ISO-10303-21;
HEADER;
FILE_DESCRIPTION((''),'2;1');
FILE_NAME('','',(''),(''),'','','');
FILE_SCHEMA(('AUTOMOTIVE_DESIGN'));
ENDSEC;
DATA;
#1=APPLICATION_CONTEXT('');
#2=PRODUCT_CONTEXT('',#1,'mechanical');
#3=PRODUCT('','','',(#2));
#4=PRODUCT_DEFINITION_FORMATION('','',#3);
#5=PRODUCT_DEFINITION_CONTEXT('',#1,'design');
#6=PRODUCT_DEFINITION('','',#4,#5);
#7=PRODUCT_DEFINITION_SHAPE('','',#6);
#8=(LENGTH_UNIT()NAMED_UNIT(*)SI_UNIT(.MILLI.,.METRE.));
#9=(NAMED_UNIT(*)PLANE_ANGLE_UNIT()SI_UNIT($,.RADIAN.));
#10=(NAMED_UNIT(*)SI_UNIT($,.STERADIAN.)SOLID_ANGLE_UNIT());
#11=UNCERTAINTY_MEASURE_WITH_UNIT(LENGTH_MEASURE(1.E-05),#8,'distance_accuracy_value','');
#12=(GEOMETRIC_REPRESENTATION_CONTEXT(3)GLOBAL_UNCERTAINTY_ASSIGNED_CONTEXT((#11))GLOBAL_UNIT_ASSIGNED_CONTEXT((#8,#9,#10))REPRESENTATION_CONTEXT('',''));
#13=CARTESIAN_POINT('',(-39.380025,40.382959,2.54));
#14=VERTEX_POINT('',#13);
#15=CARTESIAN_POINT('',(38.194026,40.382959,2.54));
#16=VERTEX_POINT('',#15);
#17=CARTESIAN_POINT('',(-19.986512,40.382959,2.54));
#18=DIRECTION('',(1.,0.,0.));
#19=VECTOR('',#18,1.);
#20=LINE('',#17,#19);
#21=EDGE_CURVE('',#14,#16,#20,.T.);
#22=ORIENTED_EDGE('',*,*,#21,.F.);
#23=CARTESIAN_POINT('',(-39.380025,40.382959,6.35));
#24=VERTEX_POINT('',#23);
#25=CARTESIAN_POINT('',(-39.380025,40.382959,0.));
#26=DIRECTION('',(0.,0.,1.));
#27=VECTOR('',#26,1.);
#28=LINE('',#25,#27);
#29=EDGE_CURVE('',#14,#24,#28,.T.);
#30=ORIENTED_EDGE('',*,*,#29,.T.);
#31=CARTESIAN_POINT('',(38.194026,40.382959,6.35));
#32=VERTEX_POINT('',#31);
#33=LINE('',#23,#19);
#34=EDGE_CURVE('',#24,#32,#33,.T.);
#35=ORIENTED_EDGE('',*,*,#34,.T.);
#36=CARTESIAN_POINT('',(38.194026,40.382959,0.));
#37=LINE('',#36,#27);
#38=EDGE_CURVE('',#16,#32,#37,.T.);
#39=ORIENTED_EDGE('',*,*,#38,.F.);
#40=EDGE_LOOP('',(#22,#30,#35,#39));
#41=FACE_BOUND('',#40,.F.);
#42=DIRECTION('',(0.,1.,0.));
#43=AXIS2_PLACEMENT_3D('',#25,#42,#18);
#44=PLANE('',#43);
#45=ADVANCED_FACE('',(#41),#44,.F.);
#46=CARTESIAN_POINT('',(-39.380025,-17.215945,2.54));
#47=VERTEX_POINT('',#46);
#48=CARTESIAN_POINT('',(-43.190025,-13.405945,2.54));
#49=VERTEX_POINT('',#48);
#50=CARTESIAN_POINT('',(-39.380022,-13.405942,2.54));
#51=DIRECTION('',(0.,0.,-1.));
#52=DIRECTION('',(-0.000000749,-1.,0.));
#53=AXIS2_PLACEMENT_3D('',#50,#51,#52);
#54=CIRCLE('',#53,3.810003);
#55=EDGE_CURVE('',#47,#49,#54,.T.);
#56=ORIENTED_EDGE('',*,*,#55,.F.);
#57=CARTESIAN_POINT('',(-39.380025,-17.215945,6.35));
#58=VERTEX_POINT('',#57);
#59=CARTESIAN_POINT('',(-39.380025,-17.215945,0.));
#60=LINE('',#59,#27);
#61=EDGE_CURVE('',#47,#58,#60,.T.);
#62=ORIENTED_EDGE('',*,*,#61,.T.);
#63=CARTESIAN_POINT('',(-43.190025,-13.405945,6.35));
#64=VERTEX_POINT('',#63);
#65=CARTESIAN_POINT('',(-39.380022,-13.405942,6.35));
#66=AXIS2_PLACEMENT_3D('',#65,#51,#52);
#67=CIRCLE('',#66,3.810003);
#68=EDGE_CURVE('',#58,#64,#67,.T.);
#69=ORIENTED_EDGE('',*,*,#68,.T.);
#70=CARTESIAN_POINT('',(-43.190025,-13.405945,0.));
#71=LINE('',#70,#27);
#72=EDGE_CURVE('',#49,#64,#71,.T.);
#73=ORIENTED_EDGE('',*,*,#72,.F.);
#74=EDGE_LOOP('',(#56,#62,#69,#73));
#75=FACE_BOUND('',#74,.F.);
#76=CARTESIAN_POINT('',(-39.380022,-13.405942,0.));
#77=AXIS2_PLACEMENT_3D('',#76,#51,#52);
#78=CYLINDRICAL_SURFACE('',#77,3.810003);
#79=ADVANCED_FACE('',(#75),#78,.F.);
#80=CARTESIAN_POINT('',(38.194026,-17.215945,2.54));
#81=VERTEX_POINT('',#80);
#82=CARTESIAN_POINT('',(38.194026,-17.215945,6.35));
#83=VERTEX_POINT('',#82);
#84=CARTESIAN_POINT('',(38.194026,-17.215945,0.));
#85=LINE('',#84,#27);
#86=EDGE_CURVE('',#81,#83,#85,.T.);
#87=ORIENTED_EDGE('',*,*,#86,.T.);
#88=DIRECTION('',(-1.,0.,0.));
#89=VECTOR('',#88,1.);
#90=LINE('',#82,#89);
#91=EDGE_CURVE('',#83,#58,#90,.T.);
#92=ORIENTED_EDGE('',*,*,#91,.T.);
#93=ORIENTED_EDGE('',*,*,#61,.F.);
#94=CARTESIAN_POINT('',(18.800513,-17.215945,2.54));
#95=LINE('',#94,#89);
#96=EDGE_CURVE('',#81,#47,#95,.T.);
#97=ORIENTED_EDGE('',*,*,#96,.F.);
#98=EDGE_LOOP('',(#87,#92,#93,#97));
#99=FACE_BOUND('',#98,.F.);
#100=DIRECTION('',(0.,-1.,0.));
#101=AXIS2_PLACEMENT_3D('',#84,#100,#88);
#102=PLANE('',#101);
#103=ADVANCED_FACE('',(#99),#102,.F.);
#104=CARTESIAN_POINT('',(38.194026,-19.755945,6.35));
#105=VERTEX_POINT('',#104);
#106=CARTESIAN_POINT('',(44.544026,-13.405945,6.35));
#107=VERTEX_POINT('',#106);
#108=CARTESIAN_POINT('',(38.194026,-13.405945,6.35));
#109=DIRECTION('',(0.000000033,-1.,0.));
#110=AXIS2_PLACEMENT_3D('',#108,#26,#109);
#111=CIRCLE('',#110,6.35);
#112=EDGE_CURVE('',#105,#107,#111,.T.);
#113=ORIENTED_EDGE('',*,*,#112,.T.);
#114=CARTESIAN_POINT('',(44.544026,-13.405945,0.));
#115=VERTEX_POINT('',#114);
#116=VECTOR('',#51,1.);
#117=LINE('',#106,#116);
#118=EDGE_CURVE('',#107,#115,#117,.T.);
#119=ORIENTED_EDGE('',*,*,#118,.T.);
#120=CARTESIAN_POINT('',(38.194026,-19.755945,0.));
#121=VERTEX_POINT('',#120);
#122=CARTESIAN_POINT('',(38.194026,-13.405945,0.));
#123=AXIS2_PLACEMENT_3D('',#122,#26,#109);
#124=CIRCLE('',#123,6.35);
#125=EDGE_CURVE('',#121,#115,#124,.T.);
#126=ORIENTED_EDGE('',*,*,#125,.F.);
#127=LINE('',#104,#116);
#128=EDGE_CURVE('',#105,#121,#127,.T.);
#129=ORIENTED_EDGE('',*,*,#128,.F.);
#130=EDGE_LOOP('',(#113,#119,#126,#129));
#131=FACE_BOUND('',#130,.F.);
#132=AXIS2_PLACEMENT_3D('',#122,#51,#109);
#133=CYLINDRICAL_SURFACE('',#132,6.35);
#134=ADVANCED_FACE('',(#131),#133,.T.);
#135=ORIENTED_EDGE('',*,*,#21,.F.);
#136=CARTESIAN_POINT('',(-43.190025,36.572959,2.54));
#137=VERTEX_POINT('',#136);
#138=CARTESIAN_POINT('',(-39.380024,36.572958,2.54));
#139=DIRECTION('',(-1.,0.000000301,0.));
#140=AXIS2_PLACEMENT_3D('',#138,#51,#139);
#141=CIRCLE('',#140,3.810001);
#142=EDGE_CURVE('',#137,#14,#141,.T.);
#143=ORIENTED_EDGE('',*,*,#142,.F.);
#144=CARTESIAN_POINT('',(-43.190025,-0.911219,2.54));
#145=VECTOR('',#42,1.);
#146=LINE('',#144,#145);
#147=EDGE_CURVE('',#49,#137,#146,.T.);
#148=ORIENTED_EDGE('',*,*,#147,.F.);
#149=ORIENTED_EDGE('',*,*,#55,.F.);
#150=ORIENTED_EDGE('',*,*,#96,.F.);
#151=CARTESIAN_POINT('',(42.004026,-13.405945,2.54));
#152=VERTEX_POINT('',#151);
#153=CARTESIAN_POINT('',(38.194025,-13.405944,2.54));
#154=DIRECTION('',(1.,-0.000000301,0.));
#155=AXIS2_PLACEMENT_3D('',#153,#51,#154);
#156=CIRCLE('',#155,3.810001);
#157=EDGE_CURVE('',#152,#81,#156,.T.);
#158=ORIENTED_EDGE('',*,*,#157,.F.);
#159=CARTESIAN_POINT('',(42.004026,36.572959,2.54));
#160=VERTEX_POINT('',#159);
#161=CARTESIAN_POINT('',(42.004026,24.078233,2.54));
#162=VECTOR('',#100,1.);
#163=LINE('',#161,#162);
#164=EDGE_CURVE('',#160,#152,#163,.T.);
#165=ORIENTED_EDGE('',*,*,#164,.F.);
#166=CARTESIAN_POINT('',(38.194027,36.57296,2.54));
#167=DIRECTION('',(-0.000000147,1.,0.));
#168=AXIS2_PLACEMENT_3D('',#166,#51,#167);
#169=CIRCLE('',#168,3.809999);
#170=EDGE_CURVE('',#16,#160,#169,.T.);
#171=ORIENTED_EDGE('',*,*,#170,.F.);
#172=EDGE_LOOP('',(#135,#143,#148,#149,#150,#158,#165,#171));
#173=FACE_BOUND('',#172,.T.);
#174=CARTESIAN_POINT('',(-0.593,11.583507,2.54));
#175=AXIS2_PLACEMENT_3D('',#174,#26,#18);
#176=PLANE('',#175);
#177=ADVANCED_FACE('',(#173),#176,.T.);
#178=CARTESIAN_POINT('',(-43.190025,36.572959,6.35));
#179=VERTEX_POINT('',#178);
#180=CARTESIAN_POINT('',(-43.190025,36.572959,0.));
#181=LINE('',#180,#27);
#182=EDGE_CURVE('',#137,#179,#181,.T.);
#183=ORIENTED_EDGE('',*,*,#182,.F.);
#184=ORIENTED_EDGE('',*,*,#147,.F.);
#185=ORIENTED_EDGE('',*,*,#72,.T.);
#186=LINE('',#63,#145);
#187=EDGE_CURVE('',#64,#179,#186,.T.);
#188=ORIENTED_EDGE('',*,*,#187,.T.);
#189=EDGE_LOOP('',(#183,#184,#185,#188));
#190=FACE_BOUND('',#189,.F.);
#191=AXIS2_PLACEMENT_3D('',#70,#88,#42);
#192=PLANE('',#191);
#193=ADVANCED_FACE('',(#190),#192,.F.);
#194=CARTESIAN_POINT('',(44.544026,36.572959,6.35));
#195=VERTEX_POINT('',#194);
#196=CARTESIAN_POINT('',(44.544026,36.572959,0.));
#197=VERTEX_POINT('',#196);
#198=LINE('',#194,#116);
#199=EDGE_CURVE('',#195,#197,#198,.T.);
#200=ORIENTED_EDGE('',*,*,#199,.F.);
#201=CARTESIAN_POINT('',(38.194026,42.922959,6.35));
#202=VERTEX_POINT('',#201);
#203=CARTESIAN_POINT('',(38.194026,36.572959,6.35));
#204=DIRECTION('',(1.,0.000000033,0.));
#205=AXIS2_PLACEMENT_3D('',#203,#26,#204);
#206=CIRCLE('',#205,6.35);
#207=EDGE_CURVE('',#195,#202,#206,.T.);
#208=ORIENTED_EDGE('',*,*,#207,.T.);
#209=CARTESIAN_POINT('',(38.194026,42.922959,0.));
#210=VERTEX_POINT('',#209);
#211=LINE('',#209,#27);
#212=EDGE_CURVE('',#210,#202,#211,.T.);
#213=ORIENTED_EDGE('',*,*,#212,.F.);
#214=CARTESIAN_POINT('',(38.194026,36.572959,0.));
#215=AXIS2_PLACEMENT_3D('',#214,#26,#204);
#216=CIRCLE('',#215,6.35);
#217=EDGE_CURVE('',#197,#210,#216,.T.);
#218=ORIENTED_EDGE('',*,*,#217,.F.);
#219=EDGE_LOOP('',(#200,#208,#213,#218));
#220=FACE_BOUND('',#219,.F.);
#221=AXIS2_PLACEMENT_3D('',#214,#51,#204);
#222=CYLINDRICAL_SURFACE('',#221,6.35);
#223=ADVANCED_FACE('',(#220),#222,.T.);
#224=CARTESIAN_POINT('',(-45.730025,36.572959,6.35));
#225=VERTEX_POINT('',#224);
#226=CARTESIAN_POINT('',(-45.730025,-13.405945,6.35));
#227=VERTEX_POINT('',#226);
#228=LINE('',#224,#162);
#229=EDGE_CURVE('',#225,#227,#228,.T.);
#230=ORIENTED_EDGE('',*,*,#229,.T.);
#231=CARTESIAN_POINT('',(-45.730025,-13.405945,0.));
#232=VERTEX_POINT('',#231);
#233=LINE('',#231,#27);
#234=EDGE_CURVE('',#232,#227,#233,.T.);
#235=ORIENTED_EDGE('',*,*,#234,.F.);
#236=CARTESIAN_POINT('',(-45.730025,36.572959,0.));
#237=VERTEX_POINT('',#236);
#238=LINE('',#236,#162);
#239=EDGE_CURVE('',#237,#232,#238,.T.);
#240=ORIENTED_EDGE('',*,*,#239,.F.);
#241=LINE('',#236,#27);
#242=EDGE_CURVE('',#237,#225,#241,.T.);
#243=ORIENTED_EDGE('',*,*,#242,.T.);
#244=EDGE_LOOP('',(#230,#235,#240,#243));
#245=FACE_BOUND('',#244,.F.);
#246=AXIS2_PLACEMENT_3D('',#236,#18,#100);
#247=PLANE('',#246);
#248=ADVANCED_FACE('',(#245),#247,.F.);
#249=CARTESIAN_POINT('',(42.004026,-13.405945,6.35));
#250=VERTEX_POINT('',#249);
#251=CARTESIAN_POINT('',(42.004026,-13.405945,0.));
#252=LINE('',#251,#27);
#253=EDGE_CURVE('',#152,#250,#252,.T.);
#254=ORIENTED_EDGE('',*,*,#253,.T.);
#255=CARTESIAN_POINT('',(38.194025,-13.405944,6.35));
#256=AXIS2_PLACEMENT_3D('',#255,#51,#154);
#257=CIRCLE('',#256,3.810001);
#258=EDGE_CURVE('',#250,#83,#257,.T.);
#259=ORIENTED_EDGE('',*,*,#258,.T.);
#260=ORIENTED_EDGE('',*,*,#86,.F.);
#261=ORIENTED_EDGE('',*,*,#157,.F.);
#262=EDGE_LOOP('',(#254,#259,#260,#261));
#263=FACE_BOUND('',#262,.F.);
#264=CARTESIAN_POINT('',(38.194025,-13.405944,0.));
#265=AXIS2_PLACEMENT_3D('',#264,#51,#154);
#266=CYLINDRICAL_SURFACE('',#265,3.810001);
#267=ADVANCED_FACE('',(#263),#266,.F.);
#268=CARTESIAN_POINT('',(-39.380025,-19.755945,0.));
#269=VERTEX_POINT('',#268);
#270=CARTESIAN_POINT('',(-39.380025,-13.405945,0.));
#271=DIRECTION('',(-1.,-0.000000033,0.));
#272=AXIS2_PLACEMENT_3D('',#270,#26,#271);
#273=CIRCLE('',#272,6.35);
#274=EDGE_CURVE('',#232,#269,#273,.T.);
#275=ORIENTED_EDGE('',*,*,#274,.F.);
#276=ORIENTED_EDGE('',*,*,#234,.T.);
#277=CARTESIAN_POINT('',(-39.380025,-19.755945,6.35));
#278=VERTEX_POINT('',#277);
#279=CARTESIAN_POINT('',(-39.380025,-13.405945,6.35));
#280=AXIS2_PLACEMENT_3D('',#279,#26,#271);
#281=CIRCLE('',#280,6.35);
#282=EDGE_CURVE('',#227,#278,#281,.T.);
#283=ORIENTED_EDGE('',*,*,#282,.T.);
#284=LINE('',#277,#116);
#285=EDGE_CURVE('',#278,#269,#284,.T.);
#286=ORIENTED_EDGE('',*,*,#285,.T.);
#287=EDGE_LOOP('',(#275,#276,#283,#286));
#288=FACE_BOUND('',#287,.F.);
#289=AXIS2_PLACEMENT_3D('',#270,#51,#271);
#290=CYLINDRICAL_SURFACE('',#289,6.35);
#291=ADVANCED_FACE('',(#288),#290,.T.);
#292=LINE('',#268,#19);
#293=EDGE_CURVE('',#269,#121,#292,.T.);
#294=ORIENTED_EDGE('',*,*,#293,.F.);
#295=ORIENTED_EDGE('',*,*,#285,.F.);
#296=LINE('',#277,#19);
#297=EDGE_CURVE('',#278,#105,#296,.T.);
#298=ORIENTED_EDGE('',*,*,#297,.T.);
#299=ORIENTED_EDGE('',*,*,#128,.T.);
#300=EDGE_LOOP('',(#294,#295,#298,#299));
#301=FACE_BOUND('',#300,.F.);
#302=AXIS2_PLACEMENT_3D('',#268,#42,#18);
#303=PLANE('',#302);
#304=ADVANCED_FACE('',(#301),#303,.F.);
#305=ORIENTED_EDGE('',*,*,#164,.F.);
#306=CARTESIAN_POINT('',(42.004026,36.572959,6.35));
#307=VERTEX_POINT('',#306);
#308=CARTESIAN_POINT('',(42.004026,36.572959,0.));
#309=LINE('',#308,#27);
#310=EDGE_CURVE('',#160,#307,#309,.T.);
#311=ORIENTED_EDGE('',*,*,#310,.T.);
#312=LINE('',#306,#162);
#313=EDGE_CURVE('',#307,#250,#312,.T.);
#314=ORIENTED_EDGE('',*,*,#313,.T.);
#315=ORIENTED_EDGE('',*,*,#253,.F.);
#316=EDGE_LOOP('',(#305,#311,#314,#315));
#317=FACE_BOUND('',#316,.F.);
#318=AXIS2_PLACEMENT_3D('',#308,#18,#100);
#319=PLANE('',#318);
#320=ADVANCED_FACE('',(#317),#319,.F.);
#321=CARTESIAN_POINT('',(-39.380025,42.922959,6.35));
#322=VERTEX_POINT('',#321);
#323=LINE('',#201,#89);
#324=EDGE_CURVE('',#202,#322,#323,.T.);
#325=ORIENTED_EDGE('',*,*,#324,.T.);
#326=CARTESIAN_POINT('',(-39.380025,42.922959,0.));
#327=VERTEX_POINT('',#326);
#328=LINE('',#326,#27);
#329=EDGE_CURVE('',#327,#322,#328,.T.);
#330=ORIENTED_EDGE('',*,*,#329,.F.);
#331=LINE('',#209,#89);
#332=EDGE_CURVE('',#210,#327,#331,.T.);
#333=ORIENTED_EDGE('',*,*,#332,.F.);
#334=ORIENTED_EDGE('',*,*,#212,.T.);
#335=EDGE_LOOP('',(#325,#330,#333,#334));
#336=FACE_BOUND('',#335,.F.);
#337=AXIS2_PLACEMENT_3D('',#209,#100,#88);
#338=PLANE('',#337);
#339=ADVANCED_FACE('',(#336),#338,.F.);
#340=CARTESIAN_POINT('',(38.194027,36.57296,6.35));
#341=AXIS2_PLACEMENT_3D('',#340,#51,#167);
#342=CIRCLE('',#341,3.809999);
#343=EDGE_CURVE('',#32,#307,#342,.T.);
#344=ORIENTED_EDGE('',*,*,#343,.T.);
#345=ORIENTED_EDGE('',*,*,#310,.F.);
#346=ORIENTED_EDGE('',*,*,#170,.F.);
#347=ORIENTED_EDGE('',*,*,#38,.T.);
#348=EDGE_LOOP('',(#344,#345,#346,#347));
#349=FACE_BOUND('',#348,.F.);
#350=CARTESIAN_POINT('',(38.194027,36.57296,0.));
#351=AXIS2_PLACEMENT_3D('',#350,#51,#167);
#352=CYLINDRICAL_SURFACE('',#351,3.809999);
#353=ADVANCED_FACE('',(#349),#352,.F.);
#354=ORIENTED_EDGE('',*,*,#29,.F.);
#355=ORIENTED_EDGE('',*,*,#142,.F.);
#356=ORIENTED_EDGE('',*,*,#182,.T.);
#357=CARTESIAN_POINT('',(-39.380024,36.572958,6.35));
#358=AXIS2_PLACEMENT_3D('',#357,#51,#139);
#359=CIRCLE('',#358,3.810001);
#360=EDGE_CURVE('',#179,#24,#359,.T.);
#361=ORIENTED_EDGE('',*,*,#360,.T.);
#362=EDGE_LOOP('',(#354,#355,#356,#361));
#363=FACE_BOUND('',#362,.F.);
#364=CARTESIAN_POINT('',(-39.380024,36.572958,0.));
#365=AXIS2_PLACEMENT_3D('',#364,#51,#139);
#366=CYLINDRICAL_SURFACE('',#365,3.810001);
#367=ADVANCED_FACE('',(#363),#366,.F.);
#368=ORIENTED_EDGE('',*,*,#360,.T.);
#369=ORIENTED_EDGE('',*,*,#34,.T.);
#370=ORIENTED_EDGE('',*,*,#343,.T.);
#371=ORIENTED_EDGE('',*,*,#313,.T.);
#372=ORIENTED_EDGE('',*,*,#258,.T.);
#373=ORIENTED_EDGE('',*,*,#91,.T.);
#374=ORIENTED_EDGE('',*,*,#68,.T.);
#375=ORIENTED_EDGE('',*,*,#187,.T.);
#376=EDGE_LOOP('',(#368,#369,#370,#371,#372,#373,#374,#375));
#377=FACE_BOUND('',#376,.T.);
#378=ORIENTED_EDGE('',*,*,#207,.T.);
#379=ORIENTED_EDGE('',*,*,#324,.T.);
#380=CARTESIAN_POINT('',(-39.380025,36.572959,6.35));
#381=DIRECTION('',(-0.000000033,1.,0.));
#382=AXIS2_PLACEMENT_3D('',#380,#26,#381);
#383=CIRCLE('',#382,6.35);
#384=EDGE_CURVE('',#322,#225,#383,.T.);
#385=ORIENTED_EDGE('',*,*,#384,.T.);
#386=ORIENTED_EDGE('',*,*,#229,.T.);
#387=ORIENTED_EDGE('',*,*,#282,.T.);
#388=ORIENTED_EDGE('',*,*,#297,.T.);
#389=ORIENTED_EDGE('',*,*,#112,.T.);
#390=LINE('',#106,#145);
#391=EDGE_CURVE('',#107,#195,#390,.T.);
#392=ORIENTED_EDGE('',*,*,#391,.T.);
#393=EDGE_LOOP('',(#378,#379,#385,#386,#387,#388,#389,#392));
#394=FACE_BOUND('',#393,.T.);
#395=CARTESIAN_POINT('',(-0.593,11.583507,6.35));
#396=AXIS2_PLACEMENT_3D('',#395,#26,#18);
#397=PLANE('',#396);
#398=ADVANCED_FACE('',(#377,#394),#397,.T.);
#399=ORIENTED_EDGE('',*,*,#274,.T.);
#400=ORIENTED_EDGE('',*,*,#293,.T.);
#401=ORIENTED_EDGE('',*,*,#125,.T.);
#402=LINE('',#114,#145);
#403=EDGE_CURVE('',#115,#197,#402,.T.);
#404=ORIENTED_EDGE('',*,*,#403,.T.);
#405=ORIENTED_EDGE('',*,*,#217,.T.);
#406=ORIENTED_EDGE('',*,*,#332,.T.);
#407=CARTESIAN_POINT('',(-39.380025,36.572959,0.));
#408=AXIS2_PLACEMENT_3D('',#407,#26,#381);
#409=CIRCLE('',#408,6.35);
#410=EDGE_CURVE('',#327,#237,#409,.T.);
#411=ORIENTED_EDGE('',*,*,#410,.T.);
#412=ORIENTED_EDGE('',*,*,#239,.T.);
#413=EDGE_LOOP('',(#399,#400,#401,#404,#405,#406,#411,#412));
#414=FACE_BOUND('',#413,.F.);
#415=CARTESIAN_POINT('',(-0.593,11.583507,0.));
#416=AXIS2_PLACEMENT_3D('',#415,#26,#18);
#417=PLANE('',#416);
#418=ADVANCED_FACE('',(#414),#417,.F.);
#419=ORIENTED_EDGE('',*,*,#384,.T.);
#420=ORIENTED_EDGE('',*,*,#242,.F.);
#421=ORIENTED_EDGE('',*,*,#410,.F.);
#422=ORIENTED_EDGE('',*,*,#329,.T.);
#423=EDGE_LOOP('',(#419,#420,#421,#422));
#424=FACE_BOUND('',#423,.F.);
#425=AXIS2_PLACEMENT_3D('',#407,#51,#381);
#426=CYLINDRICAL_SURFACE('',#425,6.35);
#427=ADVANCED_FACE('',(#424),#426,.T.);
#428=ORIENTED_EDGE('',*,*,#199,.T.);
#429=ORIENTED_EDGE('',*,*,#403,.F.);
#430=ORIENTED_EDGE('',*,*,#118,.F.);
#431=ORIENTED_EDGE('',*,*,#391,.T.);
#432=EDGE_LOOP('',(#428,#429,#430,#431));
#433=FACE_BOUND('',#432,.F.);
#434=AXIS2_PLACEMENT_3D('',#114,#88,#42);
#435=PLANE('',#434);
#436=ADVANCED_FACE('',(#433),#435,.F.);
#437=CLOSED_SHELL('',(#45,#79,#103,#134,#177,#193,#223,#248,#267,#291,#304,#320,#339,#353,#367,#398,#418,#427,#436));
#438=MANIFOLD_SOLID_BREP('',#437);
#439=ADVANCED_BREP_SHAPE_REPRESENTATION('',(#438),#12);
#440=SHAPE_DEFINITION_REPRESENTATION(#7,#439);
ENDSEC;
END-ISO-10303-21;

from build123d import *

# Parameters (mm, degrees)
F3_DEPTH = 6.35
F1_DEPTH = 2.54


with BuildPart() as f3:
    # F2 (on face) → F3 (new body)
    with BuildSketch(Plane.XY):
        with BuildLine():
            ThreePointArc((44.544026, 36.572959), (42.684154, 41.063087), (38.194026, 42.922959))
            Line((38.194026, 42.922959), (-39.380025, 42.922959))
            ThreePointArc((-39.380025, 42.922959), (-43.870153, 41.063087), (-45.730025, 36.572959))
            Line((-45.730025, 36.572959), (-45.730025, -13.405945))
            ThreePointArc((-45.730025, -13.405945), (-43.870153, -17.896073), (-39.380025, -19.755945))
            Line((-39.380025, -19.755945), (38.194026, -19.755945))
            ThreePointArc((38.194026, -19.755945), (42.684154, -17.896073), (44.544026, -13.405945))
            Line((44.544026, -13.405945), (44.544026, 36.572959))
        make_face()
        with BuildLine():
            ThreePointArc((-43.190025, 36.572959), (-42.074101, 39.267036), (-39.380025, 40.382959))
            Line((-39.380025, 40.382959), (38.194026, 40.382959))
            ThreePointArc((38.194026, 40.382959), (40.888103, 39.267036), (42.004026, 36.572959))
            Line((42.004026, 36.572959), (42.004026, -13.405945))
            ThreePointArc((42.004026, -13.405945), (40.888103, -16.100021), (38.194026, -17.215945))
            Line((38.194026, -17.215945), (-39.380025, -17.215945))
            ThreePointArc((-39.380025, -17.215945), (-42.074101, -16.100021), (-43.190025, -13.405945))
            Line((-43.190025, -13.405945), (-43.190025, 36.572959))
        make_face(mode=Mode.SUBTRACT)
    extrude(amount=F3_DEPTH)

    # F0 (on Top) → F1 (join)
    with BuildSketch(Plane.XY):
        with BuildLine():
            Line((38.194026, 42.922959), (-39.380025, 42.922959))
            ThreePointArc((-39.380025, 42.922959), (-43.870153, 41.063087), (-45.730025, 36.572959))
            Line((-45.730025, 36.572959), (-45.730025, -13.405945))
            ThreePointArc((-45.730025, -13.405945), (-43.870153, -17.896073), (-39.380025, -19.755945))
            Line((-39.380025, -19.755945), (38.194026, -19.755945))
            ThreePointArc((38.194026, -19.755945), (42.684154, -17.896073), (44.544026, -13.405945))
            Line((44.544026, -13.405945), (44.544026, 36.572959))
            ThreePointArc((44.544026, 36.572959), (42.684154, 41.063087), (38.194026, 42.922959))
        make_face()
    extrude(amount=F1_DEPTH)


solid = f3.part
